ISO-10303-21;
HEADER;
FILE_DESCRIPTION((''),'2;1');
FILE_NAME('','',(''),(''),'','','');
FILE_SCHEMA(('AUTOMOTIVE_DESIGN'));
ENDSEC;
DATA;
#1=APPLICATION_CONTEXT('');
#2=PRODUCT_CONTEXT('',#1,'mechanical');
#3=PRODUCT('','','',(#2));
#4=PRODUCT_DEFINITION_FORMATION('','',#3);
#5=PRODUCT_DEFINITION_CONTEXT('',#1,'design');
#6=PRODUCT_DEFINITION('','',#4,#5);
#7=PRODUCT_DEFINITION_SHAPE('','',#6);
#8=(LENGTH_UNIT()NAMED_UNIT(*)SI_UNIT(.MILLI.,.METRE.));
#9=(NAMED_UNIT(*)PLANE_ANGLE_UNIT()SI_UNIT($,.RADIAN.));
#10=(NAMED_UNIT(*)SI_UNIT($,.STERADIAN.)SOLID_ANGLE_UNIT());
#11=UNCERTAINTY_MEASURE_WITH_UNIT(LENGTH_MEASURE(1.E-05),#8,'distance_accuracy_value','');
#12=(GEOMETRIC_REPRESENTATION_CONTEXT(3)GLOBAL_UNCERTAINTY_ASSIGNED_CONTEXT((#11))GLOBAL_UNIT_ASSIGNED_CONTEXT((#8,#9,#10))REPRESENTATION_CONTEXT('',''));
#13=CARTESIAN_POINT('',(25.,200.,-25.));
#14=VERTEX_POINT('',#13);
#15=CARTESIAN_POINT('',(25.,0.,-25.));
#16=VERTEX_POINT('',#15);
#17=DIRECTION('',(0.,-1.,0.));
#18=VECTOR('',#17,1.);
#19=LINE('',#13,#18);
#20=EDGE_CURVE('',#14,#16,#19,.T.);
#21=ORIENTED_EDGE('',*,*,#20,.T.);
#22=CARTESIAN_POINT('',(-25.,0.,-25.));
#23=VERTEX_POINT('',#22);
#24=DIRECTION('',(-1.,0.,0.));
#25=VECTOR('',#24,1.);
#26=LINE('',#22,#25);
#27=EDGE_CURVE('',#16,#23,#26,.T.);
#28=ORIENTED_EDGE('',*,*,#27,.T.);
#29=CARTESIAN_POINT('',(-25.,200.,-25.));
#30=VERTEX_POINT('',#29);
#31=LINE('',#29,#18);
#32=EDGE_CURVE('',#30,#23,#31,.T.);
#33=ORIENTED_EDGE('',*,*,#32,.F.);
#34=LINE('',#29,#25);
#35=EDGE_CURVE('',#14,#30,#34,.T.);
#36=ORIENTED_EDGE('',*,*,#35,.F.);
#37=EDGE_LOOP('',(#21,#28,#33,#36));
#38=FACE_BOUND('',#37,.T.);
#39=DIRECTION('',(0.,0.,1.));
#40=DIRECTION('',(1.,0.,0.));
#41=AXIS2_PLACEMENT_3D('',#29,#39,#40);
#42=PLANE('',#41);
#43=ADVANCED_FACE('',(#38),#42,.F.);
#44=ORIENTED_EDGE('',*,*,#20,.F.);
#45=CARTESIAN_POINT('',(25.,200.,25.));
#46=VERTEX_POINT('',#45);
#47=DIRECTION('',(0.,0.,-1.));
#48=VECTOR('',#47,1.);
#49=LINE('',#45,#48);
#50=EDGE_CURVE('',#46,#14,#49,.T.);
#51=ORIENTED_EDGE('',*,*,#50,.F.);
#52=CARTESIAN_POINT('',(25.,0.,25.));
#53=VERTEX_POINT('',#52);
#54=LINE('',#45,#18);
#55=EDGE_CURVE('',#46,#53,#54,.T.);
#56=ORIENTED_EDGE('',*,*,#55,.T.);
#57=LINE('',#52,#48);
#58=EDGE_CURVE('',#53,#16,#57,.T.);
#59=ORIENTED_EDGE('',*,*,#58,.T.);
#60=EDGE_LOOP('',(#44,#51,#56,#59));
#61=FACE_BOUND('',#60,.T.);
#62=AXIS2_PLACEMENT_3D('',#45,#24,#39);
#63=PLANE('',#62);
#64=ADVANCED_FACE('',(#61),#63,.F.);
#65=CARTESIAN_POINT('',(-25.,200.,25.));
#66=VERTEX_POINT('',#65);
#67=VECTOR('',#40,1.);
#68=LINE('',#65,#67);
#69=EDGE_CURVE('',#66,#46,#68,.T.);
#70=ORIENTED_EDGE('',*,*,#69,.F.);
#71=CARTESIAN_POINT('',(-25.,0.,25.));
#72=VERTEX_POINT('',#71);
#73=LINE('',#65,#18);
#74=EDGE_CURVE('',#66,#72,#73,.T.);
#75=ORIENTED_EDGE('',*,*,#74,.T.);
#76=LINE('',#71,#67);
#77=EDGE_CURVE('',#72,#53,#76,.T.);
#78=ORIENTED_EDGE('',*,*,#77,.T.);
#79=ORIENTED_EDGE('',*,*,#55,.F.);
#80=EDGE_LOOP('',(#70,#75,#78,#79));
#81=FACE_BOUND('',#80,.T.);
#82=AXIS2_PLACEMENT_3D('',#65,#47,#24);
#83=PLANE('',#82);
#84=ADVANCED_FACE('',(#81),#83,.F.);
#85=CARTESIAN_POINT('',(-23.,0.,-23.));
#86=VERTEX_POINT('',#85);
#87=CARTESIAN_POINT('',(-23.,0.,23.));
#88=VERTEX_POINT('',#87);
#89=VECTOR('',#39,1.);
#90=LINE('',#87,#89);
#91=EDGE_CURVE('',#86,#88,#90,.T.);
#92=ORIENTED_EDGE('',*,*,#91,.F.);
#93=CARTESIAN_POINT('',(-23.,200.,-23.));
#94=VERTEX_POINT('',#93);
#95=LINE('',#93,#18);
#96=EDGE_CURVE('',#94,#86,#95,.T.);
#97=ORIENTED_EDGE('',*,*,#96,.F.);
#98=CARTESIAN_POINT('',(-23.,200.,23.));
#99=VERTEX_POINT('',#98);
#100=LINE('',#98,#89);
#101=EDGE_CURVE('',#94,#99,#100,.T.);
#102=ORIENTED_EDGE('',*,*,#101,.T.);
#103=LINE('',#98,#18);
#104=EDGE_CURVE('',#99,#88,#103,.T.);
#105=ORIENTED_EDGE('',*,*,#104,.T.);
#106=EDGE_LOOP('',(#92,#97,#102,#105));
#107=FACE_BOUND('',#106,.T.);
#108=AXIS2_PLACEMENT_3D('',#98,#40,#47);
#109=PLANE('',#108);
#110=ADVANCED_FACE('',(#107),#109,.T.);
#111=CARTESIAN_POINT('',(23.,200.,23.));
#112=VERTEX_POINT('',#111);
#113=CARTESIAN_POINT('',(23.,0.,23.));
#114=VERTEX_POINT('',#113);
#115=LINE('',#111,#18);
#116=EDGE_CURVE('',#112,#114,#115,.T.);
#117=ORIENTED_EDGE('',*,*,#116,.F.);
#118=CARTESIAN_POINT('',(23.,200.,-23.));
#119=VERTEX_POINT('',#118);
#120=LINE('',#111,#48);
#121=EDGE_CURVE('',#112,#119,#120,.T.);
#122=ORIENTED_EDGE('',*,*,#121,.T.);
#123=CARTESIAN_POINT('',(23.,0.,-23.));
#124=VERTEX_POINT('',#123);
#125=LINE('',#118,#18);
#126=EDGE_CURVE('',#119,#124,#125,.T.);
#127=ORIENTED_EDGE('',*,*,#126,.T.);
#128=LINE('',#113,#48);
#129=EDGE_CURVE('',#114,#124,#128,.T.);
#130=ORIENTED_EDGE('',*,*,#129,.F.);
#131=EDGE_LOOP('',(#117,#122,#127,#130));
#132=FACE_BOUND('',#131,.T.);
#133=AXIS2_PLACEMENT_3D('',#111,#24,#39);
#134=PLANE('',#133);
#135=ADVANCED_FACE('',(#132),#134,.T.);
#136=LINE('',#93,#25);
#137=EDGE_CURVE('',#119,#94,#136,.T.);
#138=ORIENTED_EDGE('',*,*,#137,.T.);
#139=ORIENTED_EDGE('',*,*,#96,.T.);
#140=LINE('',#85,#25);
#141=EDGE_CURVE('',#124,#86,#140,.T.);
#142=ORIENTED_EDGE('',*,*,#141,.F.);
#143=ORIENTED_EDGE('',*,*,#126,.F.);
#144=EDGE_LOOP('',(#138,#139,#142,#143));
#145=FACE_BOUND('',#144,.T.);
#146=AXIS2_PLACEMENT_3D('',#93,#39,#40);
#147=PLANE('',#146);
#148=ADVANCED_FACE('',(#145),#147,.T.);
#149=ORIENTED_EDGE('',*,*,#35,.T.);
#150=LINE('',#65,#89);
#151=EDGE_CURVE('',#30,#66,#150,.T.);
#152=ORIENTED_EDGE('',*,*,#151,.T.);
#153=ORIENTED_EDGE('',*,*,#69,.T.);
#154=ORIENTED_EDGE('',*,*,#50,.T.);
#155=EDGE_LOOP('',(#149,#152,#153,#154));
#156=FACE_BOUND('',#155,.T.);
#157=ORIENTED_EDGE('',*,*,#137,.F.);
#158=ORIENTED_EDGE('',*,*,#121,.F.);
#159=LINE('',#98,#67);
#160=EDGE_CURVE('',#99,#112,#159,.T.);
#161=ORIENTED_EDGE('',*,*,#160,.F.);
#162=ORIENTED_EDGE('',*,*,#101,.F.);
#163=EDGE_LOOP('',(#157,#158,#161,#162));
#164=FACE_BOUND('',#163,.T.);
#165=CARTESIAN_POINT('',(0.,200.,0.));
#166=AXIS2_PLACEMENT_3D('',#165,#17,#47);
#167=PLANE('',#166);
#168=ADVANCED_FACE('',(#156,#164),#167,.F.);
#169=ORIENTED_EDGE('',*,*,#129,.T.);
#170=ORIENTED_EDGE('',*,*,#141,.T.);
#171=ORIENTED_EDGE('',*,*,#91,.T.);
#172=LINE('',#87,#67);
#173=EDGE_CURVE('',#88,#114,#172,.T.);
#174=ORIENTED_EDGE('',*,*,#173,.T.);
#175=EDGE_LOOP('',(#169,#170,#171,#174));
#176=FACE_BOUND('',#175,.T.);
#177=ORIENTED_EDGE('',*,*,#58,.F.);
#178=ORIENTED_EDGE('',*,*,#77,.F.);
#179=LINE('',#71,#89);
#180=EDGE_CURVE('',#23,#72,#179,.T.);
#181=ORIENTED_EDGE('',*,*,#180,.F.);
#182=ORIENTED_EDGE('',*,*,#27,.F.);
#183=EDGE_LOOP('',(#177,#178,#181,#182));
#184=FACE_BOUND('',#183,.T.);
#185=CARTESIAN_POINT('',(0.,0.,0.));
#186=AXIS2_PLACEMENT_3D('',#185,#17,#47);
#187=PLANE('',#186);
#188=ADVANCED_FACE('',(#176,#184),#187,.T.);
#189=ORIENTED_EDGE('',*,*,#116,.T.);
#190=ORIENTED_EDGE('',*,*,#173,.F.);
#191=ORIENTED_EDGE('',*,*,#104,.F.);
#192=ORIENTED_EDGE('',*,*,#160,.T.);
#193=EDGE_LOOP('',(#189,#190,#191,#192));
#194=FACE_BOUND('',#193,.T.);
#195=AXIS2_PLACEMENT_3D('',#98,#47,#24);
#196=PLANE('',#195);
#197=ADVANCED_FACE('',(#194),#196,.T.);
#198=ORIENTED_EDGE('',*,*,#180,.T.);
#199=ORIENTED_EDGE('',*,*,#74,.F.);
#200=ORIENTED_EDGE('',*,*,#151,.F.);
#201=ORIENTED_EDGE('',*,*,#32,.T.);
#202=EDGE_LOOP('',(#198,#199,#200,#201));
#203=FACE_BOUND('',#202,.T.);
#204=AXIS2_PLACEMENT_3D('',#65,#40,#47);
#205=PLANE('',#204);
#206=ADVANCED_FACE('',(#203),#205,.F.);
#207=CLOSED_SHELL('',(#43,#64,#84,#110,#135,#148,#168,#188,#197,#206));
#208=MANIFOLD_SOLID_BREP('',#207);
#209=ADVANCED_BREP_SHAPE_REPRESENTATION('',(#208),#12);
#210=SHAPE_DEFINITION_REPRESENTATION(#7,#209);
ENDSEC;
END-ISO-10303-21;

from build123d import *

# Parameters (mm, degrees)
SKETCH1_W           = 50
SKETCH1_H           = 50
SKETCH1_W_2         = 46
SKETCH1_H_2         = 46
BOSS_EXTRUDE1_DEPTH = 200


with BuildPart() as part:
    # Sketch1 → Boss-Extrude1 (new body)
    with BuildSketch(Plane(origin=(0, 0, 0), x_dir=(1, 0, 0), z_dir=(0, 1, 0))):
        Rectangle(SKETCH1_W, SKETCH1_H)
        Rectangle(SKETCH1_W_2, SKETCH1_H_2, mode=Mode.SUBTRACT)
    extrude(amount=BOSS_EXTRUDE1_DEPTH)


solid = part.part
